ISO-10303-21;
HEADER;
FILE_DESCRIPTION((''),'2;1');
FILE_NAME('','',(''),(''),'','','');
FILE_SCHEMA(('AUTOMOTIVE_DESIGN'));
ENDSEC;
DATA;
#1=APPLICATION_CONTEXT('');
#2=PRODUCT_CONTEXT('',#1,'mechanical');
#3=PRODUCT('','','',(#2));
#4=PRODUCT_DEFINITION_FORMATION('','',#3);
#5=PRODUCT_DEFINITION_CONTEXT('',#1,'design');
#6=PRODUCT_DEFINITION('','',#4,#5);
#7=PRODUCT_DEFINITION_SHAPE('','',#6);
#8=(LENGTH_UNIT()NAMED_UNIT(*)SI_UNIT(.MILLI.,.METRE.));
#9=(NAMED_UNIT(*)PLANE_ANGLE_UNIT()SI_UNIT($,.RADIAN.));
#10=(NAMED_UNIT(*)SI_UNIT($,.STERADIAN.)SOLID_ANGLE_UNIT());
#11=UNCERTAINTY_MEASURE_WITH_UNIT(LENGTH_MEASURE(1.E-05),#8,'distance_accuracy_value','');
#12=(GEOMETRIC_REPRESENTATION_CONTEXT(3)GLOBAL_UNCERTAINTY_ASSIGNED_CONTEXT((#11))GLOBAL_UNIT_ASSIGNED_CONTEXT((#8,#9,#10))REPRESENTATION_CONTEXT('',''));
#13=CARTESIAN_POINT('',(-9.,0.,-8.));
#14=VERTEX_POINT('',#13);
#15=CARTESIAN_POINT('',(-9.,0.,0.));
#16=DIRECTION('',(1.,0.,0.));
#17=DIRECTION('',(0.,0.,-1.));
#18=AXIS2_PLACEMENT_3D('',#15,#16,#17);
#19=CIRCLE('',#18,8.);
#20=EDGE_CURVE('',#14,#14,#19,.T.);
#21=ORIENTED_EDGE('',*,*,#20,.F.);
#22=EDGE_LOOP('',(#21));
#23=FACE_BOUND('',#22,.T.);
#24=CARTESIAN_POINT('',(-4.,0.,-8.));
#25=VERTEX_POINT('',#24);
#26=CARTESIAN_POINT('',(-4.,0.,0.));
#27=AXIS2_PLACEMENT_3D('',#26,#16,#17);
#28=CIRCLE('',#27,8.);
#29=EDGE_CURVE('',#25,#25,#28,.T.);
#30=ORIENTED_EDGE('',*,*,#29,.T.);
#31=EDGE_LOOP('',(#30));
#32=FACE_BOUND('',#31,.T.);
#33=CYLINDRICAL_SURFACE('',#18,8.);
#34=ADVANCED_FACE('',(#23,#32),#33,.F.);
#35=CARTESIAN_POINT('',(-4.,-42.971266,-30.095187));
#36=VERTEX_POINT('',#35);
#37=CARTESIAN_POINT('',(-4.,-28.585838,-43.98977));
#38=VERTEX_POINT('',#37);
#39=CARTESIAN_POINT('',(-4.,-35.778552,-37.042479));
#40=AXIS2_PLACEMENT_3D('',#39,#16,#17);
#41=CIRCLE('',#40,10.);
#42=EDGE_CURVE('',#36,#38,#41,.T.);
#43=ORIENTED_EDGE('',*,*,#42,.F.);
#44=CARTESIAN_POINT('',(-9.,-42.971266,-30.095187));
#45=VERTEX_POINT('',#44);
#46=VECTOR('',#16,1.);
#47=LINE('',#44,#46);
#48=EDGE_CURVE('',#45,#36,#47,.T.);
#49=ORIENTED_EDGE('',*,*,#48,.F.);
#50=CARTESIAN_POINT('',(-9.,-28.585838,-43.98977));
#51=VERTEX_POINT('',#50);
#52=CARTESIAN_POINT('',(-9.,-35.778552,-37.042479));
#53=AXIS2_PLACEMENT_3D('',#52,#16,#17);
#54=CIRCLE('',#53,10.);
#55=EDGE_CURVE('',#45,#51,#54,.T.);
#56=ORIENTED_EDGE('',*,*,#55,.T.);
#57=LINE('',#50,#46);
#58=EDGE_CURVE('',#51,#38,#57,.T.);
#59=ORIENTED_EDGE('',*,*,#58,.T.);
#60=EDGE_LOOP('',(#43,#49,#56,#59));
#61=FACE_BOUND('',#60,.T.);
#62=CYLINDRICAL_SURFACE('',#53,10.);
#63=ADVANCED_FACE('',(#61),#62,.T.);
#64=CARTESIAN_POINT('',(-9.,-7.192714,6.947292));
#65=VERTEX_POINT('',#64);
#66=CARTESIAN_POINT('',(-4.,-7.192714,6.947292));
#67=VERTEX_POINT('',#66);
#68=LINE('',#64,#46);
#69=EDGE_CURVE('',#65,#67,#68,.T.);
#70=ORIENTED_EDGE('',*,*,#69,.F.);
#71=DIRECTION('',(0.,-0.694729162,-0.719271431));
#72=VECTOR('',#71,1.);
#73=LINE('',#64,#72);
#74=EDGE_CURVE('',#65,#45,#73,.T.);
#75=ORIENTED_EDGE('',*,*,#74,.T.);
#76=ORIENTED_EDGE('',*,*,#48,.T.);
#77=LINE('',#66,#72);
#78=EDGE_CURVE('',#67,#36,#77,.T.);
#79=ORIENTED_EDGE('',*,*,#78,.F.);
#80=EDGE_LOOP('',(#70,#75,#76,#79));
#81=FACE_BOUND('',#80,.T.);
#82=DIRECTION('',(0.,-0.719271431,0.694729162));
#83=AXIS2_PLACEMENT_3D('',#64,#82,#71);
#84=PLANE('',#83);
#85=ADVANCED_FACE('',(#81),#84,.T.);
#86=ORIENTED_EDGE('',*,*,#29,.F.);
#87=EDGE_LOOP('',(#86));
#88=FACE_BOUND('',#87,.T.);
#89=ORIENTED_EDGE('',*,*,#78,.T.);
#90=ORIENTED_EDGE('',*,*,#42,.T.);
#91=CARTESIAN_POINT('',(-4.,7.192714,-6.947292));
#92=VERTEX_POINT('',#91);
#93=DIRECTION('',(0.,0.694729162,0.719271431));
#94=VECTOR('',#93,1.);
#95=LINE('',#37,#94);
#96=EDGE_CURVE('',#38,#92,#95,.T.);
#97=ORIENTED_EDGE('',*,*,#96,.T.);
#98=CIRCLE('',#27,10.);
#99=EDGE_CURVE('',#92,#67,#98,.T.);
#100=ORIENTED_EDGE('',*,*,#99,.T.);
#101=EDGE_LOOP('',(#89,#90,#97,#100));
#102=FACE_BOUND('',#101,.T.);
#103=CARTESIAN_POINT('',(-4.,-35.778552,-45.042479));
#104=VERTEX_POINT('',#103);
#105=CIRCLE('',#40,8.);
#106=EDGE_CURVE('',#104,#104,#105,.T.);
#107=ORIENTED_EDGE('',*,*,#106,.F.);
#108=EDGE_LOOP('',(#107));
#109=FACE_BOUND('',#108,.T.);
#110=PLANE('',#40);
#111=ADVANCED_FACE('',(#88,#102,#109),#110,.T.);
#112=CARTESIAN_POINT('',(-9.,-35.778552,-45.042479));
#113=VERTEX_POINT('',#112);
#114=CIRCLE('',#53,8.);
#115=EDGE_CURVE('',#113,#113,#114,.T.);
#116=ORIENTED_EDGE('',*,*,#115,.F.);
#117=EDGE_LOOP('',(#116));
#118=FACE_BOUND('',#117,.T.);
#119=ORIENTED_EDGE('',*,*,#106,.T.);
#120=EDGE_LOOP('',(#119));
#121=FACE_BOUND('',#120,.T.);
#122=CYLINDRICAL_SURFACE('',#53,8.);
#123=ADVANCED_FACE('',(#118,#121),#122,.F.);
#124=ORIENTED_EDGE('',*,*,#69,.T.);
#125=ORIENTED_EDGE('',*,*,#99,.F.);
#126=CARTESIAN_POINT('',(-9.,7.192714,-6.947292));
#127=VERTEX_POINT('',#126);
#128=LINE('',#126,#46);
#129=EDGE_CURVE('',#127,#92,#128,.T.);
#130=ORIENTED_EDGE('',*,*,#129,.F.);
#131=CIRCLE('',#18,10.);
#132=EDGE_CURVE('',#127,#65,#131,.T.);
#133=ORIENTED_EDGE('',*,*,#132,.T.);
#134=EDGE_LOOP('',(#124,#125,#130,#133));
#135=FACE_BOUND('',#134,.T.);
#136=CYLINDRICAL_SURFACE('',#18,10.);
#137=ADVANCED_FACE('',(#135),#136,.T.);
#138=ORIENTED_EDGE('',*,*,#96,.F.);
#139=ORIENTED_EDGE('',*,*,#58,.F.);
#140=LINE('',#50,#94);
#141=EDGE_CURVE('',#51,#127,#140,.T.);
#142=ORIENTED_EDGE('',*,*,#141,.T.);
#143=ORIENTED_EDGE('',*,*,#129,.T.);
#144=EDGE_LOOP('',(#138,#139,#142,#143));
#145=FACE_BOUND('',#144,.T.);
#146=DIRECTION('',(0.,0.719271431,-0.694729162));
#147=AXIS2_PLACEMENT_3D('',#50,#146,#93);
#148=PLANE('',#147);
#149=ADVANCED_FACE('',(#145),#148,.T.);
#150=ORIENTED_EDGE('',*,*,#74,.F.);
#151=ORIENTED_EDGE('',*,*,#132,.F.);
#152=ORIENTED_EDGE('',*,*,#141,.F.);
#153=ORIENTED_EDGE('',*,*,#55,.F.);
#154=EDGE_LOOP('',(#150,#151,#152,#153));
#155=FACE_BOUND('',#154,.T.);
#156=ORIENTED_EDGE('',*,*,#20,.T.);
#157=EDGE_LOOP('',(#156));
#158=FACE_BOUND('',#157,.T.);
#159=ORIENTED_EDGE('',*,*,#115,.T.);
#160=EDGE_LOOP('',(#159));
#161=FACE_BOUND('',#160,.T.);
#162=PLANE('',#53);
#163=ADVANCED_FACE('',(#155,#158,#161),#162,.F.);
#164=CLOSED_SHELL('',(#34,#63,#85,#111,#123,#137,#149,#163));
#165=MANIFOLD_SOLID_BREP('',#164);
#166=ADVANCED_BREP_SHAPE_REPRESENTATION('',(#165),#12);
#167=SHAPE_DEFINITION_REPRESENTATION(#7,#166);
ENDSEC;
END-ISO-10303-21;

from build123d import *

# Parameters (mm, degrees)
BOSS_EXTRUDE1_START = -4
SKETCH2_R           = 8
BOSS_EXTRUDE1_DEPTH = 5


with BuildPart() as part:
    # Sketch2 → Boss-Extrude1 (new body)
    with BuildSketch(Plane(origin=(0, 0, 0), x_dir=(0, 0, -1), z_dir=(1, 0, 0)).offset(BOSS_EXTRUDE1_START)):
        with BuildLine():
            Line((43.989770311, -28.585837543), (6.947291622, 7.192714309))
            ThreePointArc((6.947291622, 7.192714309), (-7.192714309, 6.947291622), (-6.947291622, -7.192714309))
            Line((-6.947291622, -7.192714309), (30.095187067, -42.97126616))
            ThreePointArc((30.095187067, -42.97126616), (44.235192998, -42.725843473), (43.989770311, -28.585837543))
        make_face()
        with Locations((37.042478689, -35.778551851)):
            Circle(SKETCH2_R, mode=Mode.SUBTRACT)
        Circle(SKETCH2_R, mode=Mode.SUBTRACT)
    extrude(amount=-BOSS_EXTRUDE1_DEPTH)


solid = part.part
